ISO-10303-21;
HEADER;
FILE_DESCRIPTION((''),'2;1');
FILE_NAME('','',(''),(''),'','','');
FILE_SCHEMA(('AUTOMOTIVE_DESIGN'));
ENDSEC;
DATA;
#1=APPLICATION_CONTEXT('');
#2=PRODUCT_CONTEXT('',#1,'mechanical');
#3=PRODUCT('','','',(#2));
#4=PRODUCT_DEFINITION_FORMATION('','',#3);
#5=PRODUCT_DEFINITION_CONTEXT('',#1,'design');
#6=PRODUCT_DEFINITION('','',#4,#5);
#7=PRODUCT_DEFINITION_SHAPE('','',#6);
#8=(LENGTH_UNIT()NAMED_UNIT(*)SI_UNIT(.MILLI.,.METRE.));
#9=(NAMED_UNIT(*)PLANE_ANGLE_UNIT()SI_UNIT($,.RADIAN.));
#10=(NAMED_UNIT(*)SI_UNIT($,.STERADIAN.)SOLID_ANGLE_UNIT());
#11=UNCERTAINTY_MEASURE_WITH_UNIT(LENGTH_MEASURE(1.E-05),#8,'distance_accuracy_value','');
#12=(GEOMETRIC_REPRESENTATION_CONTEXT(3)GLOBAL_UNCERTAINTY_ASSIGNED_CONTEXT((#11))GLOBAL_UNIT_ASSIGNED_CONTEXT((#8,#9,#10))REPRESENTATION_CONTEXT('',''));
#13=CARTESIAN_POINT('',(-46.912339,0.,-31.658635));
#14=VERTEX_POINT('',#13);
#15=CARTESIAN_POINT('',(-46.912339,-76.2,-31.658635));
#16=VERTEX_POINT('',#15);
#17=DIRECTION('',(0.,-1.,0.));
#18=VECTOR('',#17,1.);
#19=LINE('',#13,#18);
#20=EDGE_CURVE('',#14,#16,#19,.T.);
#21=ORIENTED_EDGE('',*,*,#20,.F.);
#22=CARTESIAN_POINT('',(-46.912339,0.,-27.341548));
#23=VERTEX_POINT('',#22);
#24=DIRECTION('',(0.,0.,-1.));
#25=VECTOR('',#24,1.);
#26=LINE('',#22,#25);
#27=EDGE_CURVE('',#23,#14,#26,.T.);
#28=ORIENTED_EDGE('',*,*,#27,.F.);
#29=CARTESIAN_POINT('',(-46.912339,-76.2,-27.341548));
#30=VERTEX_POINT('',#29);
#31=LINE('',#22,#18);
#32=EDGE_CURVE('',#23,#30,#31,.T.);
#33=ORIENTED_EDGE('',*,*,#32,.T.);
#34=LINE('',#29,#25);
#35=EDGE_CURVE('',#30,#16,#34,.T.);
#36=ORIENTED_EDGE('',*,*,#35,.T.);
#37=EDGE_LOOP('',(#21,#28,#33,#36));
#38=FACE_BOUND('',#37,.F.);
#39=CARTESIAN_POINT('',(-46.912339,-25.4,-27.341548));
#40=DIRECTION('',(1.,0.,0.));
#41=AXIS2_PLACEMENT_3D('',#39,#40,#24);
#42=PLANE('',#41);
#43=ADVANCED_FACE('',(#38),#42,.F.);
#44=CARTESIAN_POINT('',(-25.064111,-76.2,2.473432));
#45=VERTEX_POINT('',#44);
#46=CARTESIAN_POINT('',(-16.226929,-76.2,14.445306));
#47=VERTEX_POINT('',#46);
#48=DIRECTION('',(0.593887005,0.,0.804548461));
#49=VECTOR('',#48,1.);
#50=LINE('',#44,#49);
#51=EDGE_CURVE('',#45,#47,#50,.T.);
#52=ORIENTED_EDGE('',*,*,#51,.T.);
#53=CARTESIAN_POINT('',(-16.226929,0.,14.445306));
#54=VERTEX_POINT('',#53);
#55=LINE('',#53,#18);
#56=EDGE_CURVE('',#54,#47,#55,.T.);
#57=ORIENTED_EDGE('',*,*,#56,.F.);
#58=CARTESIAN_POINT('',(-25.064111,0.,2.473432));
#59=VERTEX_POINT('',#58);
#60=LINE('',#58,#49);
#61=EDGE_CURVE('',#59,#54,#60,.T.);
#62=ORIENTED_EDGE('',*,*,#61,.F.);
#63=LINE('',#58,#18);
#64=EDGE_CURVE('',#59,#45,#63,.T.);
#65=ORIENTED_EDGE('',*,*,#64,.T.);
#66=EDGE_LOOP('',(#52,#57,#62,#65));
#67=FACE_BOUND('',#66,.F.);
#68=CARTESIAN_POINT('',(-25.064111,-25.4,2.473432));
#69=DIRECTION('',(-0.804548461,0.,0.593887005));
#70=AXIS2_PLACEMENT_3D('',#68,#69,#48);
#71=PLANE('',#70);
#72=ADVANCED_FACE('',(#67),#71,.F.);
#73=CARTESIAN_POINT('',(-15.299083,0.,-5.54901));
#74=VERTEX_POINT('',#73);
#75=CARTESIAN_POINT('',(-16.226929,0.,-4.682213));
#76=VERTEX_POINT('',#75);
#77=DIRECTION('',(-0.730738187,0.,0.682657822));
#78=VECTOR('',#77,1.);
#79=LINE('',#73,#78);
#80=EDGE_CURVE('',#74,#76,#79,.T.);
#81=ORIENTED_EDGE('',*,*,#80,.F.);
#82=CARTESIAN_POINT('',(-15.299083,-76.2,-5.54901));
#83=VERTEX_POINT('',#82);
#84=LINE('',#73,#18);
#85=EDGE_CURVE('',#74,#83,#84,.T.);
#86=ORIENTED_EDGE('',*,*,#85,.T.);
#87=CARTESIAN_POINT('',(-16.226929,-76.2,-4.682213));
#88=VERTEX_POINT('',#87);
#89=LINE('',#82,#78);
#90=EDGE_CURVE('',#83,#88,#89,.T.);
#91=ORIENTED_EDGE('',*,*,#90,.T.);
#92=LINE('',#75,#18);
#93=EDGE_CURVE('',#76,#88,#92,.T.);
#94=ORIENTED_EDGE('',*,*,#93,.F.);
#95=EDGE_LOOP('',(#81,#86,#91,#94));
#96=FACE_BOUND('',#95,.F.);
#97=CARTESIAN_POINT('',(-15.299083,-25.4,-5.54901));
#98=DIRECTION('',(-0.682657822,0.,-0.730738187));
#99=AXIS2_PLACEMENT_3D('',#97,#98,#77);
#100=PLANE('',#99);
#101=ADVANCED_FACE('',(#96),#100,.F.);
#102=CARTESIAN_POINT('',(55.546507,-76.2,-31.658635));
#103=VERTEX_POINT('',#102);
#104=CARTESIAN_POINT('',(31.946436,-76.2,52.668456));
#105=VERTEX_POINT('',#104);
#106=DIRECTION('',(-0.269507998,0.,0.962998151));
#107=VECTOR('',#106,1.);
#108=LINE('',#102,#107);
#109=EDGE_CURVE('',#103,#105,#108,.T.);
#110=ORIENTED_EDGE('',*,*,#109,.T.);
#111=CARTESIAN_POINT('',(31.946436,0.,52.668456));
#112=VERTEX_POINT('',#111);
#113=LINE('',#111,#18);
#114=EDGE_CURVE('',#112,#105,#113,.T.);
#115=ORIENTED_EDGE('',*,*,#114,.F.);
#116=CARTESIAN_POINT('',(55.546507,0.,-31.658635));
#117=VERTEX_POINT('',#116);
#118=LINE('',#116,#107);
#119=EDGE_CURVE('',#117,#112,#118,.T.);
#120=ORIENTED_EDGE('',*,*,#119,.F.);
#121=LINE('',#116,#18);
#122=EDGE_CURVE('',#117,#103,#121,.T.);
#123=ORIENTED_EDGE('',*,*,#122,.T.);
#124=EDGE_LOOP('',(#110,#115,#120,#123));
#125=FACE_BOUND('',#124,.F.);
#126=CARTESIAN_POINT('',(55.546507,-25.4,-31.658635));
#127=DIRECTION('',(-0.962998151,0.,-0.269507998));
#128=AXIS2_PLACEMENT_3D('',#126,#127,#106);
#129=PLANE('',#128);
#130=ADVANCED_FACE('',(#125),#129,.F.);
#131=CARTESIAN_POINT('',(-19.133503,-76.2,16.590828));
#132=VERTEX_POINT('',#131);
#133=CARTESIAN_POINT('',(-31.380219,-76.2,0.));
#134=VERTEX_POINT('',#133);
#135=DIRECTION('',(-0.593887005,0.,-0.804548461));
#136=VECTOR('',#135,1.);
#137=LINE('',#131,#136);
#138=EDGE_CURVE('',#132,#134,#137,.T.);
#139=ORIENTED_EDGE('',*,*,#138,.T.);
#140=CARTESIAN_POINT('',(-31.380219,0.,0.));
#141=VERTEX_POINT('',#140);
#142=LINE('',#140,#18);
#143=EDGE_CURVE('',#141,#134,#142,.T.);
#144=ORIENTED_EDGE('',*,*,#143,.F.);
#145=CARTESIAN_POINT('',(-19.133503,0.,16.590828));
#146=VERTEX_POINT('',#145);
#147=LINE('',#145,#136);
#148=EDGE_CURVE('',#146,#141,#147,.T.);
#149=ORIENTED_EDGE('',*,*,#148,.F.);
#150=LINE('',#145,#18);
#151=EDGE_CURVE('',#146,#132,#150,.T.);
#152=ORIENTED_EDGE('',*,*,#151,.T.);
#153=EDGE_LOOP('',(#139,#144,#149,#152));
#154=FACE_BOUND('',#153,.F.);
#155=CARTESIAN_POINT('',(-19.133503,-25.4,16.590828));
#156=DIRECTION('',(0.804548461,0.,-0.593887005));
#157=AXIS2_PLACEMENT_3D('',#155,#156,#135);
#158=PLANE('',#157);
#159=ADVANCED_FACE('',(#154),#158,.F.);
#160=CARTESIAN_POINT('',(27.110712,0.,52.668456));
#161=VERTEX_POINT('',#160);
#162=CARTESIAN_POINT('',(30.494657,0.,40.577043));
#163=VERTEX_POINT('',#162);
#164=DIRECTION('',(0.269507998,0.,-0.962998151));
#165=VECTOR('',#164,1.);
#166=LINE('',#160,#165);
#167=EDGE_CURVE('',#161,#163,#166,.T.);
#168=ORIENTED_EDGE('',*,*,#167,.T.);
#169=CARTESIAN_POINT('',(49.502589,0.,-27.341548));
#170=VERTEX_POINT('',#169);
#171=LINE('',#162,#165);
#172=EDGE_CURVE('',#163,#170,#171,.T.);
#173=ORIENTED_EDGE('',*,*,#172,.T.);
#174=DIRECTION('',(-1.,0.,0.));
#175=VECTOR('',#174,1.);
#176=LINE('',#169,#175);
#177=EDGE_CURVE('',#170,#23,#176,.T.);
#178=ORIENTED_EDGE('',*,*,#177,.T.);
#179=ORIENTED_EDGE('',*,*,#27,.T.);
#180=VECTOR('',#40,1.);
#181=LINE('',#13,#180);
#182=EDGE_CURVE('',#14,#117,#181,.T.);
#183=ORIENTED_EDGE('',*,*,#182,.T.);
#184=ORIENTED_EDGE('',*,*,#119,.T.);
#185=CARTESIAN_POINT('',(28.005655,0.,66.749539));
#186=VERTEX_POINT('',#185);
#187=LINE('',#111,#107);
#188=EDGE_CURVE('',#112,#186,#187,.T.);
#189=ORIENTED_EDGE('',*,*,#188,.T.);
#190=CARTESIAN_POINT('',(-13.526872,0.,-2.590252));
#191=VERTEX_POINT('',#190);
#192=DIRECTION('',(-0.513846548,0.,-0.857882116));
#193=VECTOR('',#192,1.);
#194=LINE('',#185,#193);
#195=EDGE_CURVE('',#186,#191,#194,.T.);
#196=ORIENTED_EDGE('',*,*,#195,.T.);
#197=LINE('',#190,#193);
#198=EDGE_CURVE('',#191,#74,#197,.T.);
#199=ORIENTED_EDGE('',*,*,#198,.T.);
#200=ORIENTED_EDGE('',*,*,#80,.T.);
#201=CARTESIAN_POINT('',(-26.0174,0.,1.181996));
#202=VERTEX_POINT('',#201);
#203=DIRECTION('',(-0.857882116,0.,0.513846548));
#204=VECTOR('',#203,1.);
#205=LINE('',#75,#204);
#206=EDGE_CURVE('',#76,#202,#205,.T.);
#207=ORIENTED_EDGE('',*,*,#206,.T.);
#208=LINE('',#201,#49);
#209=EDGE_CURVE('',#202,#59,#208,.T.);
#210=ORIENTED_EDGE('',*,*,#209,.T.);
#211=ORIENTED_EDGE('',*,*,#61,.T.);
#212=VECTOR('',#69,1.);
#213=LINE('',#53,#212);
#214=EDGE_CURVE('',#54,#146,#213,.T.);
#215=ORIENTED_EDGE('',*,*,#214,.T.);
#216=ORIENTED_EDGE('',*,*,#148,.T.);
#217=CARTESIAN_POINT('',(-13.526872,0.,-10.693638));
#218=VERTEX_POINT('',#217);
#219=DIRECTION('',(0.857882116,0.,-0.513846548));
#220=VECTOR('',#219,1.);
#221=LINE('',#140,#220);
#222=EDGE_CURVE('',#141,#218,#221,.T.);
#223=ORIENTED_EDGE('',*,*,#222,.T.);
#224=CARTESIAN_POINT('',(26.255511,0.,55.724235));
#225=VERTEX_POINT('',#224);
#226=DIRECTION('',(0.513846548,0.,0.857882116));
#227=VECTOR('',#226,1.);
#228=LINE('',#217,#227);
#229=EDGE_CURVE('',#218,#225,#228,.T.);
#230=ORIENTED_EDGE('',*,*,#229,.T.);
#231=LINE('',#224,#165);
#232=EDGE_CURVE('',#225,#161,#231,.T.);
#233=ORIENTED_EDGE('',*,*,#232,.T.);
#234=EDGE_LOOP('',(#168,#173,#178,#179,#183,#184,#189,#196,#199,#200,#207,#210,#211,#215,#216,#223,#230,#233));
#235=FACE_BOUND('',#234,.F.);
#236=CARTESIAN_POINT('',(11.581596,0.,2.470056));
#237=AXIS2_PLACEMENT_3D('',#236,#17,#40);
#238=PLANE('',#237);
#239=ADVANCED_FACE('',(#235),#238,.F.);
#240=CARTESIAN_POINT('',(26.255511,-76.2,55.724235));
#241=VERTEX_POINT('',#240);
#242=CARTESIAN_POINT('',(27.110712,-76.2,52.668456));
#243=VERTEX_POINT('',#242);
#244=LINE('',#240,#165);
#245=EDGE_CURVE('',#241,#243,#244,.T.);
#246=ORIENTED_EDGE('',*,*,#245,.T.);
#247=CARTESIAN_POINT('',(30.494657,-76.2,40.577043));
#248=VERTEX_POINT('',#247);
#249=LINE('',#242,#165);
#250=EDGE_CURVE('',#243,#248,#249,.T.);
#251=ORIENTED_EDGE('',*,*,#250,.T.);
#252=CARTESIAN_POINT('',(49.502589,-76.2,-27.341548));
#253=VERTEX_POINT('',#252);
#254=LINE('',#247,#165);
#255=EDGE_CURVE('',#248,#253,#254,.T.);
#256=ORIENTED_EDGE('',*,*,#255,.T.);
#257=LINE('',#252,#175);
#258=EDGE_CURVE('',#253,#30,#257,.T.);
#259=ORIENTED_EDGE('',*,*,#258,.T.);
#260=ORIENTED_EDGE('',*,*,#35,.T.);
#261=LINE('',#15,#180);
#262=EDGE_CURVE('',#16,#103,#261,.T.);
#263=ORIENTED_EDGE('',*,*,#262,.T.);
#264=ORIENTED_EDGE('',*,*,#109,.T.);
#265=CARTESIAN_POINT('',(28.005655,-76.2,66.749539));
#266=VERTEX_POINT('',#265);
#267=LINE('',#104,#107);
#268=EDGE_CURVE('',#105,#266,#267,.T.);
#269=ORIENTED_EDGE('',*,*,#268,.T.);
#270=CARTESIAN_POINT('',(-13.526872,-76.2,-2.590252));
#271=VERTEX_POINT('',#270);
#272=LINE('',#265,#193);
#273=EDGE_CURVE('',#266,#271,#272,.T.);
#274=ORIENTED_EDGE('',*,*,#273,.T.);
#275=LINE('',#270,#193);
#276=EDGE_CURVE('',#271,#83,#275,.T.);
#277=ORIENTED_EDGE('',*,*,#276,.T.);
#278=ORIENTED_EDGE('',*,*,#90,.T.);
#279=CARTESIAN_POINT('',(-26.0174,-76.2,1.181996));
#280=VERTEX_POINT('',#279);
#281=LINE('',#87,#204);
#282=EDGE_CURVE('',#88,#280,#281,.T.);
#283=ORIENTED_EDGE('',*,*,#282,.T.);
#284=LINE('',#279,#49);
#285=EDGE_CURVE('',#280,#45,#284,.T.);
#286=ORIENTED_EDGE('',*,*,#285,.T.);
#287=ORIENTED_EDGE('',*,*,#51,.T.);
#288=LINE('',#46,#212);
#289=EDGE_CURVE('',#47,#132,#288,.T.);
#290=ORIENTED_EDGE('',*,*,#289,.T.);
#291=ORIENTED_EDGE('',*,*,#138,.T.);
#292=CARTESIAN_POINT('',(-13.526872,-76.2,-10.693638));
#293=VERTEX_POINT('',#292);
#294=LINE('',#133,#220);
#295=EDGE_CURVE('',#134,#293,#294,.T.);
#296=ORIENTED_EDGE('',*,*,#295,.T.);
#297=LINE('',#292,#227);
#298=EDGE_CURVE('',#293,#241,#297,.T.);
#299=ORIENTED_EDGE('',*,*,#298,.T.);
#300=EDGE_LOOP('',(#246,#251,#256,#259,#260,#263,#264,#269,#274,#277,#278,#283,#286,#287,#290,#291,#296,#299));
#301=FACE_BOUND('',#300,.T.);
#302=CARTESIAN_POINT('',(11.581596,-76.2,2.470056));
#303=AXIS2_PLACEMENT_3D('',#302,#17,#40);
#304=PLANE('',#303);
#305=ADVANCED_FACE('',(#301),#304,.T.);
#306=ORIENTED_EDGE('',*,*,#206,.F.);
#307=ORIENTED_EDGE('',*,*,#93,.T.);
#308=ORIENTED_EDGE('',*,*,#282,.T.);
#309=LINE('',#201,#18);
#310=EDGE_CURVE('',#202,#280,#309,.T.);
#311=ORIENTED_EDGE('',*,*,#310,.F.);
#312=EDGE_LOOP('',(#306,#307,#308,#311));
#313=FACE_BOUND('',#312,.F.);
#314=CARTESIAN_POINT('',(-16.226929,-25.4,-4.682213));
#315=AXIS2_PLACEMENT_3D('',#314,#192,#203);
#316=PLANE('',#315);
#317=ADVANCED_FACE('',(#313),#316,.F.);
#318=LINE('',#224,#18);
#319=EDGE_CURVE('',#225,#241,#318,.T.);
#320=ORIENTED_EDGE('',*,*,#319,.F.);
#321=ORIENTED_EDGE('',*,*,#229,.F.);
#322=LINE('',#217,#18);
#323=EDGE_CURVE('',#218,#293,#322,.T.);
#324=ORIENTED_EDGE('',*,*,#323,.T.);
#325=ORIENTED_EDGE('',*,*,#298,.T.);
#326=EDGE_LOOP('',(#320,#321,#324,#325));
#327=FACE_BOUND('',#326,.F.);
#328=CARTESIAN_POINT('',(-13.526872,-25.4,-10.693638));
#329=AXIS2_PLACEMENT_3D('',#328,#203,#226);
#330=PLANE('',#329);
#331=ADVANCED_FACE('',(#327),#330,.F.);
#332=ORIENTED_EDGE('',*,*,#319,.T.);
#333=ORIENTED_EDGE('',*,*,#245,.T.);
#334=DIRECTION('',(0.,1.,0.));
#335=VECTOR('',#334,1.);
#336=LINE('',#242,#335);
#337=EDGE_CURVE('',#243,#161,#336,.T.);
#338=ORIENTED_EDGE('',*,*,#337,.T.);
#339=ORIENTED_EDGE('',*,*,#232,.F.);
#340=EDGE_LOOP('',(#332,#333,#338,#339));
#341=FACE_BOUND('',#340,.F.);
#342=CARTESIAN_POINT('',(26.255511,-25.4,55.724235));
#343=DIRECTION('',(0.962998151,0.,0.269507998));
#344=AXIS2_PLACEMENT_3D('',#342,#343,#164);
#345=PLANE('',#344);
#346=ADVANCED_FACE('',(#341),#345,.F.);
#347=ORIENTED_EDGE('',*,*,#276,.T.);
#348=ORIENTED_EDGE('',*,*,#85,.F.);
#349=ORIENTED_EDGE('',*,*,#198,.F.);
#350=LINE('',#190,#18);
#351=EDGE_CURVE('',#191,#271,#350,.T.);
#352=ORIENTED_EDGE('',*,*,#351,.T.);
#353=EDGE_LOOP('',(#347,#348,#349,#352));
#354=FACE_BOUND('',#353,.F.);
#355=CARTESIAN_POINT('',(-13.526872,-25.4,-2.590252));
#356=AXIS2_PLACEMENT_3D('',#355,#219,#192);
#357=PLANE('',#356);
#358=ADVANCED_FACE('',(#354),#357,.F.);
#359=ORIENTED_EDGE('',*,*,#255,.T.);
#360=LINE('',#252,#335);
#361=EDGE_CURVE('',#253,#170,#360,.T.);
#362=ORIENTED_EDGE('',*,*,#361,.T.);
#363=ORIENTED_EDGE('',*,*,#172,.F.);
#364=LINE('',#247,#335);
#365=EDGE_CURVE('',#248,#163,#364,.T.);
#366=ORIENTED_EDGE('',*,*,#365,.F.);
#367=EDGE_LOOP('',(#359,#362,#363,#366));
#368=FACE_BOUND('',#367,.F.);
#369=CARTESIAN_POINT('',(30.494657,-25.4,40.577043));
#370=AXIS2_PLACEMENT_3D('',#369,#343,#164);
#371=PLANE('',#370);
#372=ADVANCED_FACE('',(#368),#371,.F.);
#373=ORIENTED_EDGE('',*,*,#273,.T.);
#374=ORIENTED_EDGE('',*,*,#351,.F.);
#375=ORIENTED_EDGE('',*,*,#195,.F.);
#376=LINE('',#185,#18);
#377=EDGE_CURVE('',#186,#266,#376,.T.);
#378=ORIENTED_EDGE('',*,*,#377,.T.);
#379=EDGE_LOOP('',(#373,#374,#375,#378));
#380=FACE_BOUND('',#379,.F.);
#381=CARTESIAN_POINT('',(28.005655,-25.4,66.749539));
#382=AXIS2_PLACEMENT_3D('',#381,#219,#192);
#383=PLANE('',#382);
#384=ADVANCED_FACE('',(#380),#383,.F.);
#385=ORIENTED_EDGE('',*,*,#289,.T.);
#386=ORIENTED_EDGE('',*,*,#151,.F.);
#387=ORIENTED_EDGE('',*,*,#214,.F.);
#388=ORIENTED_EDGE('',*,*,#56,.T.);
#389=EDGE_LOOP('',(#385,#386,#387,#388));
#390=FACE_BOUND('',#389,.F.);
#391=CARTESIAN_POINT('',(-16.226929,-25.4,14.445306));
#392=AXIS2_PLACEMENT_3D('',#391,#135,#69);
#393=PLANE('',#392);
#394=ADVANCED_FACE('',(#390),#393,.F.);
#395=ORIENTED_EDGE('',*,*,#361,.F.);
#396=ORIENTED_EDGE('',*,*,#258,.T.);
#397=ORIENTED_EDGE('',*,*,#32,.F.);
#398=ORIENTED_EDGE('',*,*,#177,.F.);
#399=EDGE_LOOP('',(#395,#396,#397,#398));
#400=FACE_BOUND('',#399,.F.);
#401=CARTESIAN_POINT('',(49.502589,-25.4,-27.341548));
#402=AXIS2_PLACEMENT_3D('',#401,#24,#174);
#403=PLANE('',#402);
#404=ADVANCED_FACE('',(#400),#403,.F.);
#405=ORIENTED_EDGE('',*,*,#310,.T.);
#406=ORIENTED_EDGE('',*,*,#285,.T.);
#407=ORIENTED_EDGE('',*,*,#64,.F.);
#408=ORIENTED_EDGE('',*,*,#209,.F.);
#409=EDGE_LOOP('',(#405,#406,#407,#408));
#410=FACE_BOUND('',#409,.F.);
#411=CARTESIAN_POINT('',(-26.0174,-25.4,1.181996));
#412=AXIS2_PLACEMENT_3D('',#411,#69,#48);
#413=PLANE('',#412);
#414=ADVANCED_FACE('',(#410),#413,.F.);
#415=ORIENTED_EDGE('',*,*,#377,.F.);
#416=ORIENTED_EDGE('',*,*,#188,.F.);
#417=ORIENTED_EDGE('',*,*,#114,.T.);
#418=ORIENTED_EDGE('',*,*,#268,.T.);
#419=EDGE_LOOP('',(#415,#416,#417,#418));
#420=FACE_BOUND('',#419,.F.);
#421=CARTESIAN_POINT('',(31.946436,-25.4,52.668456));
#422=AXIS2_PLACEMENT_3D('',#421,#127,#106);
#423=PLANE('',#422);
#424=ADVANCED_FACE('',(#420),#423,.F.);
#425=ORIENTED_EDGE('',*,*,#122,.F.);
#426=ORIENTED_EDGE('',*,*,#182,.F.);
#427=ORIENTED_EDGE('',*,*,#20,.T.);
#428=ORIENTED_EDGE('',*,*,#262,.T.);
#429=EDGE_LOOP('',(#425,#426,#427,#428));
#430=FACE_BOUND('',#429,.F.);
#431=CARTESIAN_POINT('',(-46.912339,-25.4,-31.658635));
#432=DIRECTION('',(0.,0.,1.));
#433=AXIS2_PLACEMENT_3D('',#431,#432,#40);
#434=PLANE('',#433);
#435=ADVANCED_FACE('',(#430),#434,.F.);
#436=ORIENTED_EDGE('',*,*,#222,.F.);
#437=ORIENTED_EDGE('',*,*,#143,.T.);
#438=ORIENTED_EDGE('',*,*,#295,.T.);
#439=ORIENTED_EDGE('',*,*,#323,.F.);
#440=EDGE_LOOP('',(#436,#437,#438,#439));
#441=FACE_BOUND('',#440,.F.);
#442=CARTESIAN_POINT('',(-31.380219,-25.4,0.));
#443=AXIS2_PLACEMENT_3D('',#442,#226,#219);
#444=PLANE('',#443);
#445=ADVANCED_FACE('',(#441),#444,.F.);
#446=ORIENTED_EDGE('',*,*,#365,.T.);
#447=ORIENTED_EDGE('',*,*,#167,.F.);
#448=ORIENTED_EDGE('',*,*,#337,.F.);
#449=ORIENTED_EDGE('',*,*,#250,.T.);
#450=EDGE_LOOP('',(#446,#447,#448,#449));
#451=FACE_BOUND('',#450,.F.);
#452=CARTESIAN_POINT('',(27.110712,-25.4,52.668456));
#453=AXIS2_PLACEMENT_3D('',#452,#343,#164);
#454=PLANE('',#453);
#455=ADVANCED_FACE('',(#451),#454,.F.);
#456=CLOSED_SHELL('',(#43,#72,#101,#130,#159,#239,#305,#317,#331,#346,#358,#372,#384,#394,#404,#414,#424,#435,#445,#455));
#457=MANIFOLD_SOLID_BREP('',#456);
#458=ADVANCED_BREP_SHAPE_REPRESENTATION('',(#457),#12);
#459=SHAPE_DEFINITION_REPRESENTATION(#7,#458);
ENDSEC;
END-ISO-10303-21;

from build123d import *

# Parameters (mm, degrees)
F1_DEPTH = 25.4
F2_DEPTH = 50.8


with BuildPart() as f1:
    # F0 (on Front) → F1 (new body)
    with BuildSketch(Plane.XZ):
        Polygon((49.5025888085, -27.3415483534), (-46.9123385847, -27.3415483534), (-46.9123385847, -31.6586345434), (55.5465072393, -31.6586345434), (31.9464355707, 52.6684559882), (28.0056549592, 66.749538794), (-13.5268718004, -2.5902516209), (-15.2990825042, -5.5490101738), (-16.2269293135, -4.6822128814), (-26.0173998696, 1.1819955036), (-25.064110517, 2.4734322168), (-16.2269293135, 14.4453064604), (-19.1335026175, 16.590828076), (-31.3802194673, 0), (-13.5268718004, -10.6936383178), (26.2555110267, 55.724234676), (27.1107118356, 52.6684559882), (30.4946565621, 40.5770429913), align=None)
    extrude(amount=F1_DEPTH)

    # F2 (add): a face of the model
    f2_faces = [f1.faces().sort_by_distance(p)[0] for p in [
        (39.2471169532, -25.4, 14.5742151409),
    ]]
    extrude(f2_faces, amount=F2_DEPTH)


solid = f1.part
